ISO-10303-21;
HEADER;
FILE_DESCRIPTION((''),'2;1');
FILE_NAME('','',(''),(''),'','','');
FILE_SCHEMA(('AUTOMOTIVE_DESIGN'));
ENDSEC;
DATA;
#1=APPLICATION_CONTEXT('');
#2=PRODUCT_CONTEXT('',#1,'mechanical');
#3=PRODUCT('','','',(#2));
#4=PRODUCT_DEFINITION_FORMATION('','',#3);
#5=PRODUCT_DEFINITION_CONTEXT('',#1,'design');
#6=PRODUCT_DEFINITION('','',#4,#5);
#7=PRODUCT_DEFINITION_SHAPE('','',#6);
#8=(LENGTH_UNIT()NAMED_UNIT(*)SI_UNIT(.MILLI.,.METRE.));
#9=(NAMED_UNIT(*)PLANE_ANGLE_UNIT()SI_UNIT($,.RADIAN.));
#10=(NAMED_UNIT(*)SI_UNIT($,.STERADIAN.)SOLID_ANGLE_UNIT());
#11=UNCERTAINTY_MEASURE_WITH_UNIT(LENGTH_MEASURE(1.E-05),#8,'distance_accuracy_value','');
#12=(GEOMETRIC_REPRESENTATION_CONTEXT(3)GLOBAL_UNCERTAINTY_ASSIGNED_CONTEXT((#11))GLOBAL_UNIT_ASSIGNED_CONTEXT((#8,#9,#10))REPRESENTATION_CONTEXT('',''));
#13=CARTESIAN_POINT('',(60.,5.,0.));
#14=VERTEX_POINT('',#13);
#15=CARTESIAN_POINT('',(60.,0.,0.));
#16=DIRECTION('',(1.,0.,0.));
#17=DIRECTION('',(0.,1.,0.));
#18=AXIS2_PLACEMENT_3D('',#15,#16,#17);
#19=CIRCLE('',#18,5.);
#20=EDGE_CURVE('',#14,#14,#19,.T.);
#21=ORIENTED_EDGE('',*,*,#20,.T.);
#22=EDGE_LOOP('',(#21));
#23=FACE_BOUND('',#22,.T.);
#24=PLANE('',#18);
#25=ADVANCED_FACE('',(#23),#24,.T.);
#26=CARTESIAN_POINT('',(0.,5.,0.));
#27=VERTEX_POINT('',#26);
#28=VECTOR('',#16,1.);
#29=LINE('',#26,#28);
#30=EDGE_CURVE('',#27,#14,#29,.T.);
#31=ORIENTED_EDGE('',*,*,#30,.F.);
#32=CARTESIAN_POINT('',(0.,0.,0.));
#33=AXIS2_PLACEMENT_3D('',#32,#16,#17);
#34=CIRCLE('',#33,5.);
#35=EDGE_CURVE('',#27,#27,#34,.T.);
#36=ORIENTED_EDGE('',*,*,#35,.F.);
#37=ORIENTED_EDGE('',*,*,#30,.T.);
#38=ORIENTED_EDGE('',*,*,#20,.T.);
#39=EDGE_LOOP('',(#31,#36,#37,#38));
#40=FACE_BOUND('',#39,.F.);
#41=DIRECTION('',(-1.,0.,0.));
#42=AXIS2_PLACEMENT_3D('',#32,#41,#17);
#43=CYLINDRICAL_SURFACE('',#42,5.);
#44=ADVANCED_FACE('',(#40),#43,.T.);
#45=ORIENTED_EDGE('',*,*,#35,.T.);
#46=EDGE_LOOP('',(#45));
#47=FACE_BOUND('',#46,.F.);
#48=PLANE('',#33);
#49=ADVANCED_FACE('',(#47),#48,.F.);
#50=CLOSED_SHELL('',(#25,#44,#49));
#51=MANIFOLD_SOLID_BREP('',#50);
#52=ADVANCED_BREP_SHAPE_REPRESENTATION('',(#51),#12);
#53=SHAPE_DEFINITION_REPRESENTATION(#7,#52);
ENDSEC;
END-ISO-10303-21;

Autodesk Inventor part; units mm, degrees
ref_plane "YZ Plane" through (0, 0, 0) normal (1, 0, 0) x (0, 1, 0)
ref_plane "XZ Plane" through (0, 0, 0) normal (0, 1, 0) x (-1, 0, 0)
ref_plane "XY Plane" through (0, 0, 0) normal (0, 0, 1) x (1, 0, 0)
sketch "スケッチ1" plane through (0, 0, 0) normal (1, 0, 0) x (0, 1, 0)
  circle A0 centre (0, 0) radius 5
  dimension "d0" = 10
extrude "押し出し1" add sketch "スケッチ1" along normal blind 60
equation "\"BendRadius\" = Thickness"
equation "\"BendReliefWidth\" = Thickness"
equation "\"BendReliefDepth\" = 0.5 * Thickness"
equation "\"CornerReliefSize\" = 4 * Thickness"
equation "\"MinimumRemnant\" = 2 * Thickness"
equation "\"TransitionRadius\" = BendRadius"
equation "\"JacobiRadiusSize\" = BendRadius"
equation "\"GapSize\" = Thickness"
equation "\"Thickness\" = 0.5"
